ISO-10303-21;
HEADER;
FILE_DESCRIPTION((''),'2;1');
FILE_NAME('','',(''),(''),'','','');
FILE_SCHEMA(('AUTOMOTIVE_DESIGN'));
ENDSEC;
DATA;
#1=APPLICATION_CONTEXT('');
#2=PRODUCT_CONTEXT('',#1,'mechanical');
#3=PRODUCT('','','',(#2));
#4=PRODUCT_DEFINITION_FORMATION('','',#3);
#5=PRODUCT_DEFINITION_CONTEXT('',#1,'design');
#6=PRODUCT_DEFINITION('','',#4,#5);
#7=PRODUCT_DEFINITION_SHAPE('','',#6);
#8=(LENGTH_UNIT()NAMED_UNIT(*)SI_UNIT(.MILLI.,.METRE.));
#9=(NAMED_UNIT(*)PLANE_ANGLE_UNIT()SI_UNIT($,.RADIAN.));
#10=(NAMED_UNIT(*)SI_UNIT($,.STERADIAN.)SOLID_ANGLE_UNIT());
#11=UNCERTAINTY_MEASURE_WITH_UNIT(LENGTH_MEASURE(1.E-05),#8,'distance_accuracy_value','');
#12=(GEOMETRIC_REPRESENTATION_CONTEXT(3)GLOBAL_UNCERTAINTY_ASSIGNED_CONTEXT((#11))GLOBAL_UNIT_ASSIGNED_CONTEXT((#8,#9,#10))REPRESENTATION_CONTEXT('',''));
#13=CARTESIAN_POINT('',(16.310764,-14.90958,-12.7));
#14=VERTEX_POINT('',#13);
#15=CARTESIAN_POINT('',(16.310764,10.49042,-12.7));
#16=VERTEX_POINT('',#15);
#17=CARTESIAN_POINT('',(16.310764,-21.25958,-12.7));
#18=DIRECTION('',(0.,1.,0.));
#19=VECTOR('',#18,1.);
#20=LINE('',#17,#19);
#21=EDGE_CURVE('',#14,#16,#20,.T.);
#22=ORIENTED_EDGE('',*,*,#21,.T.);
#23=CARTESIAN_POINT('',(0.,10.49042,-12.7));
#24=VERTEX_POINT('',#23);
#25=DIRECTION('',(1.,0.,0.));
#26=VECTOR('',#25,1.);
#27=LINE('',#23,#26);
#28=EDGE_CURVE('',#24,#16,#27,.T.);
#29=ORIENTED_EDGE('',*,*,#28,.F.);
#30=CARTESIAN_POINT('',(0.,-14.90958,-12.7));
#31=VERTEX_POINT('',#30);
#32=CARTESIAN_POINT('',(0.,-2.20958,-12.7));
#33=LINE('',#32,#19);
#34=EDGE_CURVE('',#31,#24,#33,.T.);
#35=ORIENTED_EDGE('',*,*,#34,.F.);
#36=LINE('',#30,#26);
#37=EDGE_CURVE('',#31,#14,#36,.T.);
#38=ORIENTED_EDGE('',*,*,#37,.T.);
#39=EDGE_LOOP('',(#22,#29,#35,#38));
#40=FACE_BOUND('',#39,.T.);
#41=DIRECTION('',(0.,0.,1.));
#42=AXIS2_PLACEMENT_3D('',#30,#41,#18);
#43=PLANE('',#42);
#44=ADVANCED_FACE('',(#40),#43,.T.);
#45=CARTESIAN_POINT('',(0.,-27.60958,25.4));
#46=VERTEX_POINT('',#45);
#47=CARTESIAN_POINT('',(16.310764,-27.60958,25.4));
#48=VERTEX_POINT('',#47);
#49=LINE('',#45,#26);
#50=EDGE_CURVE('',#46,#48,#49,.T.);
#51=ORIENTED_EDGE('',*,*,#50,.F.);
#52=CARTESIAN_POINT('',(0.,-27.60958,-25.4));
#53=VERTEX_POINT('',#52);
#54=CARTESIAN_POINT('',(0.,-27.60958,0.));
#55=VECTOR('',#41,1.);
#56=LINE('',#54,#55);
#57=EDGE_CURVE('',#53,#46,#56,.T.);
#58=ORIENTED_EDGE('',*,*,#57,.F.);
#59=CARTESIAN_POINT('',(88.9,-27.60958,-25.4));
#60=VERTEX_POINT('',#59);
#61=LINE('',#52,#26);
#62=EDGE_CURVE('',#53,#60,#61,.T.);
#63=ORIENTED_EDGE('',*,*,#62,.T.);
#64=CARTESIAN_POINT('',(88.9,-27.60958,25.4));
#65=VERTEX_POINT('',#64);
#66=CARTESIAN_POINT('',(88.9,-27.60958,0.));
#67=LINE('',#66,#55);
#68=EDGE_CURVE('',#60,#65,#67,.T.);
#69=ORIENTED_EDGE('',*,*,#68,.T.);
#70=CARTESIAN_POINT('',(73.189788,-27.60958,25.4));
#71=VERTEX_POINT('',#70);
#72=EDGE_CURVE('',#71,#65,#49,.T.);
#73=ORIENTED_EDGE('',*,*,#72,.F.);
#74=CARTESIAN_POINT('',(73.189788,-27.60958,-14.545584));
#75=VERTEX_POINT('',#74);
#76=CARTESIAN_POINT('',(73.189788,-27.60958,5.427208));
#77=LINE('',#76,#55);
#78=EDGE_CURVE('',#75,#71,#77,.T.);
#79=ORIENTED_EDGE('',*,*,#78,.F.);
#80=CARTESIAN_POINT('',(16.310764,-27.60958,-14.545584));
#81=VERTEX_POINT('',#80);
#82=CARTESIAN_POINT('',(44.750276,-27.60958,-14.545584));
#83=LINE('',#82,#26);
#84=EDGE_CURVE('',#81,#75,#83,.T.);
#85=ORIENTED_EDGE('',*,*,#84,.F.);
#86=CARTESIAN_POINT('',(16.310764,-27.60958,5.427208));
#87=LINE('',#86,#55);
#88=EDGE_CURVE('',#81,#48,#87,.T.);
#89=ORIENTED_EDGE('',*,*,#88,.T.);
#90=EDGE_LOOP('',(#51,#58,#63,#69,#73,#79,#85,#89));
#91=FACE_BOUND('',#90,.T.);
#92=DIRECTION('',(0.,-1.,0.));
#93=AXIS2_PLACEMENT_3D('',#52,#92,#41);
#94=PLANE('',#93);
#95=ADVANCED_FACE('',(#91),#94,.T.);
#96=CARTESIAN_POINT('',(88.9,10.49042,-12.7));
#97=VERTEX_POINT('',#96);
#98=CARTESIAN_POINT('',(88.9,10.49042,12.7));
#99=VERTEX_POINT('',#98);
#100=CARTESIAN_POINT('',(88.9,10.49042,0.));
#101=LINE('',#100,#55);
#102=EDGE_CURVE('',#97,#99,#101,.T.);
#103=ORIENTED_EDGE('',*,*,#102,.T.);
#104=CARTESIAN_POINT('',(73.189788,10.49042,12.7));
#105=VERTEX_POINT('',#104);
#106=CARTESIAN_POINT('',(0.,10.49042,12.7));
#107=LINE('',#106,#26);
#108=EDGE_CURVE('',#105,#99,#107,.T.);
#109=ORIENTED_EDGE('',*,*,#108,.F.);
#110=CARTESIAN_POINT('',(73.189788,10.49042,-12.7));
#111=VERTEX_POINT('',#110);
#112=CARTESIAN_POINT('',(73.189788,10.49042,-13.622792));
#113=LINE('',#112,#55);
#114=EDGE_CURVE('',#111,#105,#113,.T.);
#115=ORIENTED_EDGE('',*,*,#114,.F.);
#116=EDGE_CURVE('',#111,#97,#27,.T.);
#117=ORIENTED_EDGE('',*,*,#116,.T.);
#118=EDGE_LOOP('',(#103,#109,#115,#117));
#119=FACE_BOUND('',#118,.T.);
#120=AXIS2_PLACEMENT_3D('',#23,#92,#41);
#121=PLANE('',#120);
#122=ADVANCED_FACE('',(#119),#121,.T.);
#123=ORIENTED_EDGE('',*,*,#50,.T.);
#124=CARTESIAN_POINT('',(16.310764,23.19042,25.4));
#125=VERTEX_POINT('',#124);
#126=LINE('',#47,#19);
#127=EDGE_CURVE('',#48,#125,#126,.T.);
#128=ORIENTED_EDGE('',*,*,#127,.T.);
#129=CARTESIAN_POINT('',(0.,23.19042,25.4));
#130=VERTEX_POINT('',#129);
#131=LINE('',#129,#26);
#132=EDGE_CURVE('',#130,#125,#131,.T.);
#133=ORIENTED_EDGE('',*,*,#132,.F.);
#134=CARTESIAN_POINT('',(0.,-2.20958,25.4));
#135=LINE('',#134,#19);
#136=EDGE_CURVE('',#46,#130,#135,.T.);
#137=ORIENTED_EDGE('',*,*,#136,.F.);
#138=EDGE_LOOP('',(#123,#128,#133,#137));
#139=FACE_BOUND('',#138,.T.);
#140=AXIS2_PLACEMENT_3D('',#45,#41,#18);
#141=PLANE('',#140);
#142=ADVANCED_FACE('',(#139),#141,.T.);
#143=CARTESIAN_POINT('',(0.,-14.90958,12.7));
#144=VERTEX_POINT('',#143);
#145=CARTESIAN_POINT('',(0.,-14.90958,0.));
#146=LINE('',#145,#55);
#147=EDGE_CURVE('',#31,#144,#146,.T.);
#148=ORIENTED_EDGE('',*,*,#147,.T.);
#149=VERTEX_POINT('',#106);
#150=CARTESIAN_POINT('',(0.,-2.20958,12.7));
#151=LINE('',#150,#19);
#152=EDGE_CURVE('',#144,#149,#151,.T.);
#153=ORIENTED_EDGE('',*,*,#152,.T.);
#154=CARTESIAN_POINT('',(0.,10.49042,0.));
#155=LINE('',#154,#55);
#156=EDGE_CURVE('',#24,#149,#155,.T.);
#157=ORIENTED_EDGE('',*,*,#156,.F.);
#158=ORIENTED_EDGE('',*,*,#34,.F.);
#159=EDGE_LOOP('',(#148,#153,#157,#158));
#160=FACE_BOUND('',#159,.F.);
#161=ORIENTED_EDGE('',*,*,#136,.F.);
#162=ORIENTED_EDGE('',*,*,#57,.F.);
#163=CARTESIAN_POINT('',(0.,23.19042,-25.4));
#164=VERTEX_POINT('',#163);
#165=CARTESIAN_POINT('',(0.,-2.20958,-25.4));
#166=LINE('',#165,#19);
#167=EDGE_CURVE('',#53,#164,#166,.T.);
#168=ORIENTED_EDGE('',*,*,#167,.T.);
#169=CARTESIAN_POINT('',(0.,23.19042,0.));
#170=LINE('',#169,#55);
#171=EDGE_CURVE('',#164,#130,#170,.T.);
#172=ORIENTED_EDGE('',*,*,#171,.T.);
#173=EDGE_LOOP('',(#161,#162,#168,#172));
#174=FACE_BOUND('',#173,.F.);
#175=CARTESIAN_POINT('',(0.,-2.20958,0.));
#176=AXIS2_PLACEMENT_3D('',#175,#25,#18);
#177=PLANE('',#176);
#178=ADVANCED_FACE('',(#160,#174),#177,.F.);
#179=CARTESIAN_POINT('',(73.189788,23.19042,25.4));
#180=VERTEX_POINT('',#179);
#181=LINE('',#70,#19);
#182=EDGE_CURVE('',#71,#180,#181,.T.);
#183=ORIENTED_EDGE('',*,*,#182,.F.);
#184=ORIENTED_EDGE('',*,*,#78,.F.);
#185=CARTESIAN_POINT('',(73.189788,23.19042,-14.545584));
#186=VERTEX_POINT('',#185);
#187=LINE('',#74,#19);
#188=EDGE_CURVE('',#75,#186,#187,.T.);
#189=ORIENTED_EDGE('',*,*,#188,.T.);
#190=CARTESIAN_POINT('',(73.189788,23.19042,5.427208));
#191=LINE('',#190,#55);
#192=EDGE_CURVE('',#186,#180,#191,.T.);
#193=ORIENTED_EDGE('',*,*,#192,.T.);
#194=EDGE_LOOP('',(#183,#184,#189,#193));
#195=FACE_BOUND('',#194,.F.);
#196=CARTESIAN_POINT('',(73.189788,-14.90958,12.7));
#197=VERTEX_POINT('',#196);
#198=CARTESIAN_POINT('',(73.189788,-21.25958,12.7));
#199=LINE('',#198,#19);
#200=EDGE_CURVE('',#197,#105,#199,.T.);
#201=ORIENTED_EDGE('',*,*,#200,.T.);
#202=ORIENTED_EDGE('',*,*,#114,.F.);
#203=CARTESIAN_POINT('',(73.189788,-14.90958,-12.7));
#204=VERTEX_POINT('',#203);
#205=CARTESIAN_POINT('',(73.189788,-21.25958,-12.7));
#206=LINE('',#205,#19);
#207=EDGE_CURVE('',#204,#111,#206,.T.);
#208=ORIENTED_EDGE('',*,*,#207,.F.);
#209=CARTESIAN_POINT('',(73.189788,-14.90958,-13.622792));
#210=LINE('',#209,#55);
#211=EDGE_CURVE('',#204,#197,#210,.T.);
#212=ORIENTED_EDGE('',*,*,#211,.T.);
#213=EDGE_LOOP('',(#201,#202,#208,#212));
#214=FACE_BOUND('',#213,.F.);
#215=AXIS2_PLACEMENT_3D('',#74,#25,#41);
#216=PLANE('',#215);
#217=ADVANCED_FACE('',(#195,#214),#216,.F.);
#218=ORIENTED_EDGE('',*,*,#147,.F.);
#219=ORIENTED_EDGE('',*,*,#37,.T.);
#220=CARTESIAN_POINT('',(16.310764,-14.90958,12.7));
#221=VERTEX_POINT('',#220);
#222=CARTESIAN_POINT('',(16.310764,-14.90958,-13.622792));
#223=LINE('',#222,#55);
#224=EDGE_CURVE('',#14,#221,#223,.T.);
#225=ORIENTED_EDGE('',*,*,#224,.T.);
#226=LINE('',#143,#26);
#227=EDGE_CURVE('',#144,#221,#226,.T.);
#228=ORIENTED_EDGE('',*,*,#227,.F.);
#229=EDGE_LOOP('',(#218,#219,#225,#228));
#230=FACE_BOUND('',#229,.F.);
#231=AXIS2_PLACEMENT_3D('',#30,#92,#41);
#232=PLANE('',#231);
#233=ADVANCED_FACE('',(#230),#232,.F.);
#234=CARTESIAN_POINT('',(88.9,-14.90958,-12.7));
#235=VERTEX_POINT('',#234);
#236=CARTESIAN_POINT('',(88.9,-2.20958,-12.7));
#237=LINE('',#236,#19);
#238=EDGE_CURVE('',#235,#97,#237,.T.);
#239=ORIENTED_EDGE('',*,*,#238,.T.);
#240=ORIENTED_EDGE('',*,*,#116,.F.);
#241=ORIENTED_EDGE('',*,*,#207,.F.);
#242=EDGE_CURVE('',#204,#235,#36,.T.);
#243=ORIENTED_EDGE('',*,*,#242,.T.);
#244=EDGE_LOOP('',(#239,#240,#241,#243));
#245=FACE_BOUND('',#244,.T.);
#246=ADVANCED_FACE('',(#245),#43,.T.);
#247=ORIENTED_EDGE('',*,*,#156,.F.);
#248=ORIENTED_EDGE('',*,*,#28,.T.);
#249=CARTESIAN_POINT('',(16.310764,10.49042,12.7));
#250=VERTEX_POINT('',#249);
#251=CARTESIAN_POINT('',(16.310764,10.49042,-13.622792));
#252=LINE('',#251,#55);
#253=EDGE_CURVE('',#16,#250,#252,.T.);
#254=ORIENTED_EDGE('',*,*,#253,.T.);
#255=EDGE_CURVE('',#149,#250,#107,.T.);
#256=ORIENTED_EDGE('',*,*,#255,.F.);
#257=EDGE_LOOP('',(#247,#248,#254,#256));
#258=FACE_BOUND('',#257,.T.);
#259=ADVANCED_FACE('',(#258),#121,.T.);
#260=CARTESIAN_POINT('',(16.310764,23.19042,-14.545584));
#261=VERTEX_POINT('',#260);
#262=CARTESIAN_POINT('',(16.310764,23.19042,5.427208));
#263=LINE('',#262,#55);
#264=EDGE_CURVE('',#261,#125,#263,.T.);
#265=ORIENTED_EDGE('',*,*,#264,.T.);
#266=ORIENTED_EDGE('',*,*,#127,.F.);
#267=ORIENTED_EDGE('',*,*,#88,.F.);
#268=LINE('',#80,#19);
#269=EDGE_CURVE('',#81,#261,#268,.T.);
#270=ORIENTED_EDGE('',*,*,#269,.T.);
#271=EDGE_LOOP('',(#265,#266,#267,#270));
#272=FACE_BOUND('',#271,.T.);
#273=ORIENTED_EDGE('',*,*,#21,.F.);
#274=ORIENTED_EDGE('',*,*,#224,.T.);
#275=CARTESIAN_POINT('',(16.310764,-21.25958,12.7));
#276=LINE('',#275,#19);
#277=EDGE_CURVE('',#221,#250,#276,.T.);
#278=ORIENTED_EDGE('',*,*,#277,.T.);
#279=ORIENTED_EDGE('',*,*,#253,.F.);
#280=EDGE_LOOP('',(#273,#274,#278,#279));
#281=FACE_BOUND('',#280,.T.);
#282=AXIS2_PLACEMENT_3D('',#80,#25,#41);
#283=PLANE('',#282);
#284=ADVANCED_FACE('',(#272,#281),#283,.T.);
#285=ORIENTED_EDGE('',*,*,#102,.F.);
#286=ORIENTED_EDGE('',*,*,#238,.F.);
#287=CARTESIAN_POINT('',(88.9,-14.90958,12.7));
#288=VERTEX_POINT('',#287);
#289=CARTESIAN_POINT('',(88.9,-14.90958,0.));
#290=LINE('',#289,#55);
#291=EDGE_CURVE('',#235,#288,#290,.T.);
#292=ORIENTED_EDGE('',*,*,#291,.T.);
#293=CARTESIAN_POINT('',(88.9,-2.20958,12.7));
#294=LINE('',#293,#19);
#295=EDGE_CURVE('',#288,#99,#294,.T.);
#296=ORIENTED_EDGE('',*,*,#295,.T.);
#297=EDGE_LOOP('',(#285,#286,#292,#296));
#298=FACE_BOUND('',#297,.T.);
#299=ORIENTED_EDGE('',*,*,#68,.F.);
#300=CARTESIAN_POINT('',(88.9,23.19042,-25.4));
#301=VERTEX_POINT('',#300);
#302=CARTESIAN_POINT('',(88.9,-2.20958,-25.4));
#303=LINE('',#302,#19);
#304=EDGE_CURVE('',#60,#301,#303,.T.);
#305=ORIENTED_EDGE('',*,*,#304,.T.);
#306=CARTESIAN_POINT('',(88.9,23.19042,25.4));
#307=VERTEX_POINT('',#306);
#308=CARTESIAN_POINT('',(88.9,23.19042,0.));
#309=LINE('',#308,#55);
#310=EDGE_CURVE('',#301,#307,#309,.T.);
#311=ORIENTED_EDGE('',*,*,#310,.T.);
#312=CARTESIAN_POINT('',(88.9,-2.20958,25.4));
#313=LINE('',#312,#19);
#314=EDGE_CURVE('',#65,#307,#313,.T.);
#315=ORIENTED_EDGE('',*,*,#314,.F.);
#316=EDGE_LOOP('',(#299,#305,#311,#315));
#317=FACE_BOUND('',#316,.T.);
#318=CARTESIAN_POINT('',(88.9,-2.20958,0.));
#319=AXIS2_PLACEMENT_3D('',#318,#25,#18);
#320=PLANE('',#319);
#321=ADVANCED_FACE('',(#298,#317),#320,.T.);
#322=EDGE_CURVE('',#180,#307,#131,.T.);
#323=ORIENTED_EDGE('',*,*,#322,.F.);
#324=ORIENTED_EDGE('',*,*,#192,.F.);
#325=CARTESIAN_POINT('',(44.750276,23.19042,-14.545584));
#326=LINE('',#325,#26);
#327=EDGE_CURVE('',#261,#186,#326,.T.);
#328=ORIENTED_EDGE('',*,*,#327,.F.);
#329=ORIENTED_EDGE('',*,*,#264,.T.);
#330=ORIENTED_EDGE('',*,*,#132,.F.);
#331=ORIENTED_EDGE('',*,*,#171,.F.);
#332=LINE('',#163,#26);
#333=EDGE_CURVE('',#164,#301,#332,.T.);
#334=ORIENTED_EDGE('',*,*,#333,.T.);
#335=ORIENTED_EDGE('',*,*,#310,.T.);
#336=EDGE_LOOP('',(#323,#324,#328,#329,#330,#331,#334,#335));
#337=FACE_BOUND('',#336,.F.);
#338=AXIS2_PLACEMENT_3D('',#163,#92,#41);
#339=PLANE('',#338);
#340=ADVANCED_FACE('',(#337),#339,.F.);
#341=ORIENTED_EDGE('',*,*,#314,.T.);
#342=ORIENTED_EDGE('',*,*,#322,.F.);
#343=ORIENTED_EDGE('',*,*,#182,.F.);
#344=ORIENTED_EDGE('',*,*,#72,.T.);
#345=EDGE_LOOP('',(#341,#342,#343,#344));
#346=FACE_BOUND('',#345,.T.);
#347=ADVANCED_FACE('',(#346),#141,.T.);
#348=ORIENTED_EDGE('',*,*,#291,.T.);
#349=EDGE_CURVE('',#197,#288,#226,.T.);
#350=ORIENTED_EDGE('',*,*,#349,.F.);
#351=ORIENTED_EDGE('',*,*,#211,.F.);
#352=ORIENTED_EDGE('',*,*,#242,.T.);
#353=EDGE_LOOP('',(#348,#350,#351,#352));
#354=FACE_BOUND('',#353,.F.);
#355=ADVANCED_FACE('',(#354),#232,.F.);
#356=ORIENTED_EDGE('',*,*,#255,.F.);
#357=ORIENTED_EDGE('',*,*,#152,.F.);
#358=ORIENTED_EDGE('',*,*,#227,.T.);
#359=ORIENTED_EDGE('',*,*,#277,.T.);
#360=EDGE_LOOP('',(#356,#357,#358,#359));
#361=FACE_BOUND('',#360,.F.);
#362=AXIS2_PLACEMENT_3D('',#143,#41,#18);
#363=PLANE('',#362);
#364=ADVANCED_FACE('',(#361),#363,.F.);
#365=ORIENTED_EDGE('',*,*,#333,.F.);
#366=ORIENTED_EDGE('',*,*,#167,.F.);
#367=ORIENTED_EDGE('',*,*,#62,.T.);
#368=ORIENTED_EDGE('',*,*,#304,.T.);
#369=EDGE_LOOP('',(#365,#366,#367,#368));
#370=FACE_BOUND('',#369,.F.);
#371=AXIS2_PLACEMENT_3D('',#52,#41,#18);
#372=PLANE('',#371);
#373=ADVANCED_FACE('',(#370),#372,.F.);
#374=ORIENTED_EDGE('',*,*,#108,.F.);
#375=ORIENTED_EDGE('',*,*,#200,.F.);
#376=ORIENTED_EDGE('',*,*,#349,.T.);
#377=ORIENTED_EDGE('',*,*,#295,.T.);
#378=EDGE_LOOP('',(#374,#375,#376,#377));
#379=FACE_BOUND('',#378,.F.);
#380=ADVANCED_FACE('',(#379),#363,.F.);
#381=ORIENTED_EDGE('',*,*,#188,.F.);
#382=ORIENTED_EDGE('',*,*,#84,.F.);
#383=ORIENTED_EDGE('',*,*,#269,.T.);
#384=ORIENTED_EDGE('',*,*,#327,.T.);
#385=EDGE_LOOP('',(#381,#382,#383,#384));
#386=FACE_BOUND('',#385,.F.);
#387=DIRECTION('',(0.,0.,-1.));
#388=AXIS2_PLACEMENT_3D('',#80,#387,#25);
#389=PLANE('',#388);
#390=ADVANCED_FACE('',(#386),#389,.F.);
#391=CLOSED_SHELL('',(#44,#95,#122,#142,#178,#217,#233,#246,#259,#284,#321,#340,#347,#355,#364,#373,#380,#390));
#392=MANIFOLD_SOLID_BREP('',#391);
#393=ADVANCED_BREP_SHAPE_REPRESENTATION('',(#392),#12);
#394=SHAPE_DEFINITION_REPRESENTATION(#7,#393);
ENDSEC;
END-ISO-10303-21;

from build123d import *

# Parameters (mm, degrees)
F0_W     = 50.8
F0_H     = 50.8
F0_W_2   = 25.4
F0_H_2   = 25.4
F1_DEPTH = 88.9
F2_W     = 56.879024
F2_H     = 39.945584
F3_DEPTH = 50.8


with BuildPart() as f1:
    # F0 (on Right) → F1 (new body)
    with BuildSketch(Plane.YZ):
        with Locations((-2.20958, 0)):
            Rectangle(F0_W, F0_H)
        with Locations((-2.20958, 0)):
            Rectangle(F0_W_2, F0_H_2, mode=Mode.SUBTRACT)
    extrude(amount=F1_DEPTH)

    # F2 (on face) → F3 (cut)
    with BuildSketch(Plane.XZ.offset(27.60958)):
        with Locations((44.750276, 5.427208)):
            Rectangle(F2_W, F2_H)
    extrude(amount=-F3_DEPTH, mode=Mode.SUBTRACT)


solid = f1.part
